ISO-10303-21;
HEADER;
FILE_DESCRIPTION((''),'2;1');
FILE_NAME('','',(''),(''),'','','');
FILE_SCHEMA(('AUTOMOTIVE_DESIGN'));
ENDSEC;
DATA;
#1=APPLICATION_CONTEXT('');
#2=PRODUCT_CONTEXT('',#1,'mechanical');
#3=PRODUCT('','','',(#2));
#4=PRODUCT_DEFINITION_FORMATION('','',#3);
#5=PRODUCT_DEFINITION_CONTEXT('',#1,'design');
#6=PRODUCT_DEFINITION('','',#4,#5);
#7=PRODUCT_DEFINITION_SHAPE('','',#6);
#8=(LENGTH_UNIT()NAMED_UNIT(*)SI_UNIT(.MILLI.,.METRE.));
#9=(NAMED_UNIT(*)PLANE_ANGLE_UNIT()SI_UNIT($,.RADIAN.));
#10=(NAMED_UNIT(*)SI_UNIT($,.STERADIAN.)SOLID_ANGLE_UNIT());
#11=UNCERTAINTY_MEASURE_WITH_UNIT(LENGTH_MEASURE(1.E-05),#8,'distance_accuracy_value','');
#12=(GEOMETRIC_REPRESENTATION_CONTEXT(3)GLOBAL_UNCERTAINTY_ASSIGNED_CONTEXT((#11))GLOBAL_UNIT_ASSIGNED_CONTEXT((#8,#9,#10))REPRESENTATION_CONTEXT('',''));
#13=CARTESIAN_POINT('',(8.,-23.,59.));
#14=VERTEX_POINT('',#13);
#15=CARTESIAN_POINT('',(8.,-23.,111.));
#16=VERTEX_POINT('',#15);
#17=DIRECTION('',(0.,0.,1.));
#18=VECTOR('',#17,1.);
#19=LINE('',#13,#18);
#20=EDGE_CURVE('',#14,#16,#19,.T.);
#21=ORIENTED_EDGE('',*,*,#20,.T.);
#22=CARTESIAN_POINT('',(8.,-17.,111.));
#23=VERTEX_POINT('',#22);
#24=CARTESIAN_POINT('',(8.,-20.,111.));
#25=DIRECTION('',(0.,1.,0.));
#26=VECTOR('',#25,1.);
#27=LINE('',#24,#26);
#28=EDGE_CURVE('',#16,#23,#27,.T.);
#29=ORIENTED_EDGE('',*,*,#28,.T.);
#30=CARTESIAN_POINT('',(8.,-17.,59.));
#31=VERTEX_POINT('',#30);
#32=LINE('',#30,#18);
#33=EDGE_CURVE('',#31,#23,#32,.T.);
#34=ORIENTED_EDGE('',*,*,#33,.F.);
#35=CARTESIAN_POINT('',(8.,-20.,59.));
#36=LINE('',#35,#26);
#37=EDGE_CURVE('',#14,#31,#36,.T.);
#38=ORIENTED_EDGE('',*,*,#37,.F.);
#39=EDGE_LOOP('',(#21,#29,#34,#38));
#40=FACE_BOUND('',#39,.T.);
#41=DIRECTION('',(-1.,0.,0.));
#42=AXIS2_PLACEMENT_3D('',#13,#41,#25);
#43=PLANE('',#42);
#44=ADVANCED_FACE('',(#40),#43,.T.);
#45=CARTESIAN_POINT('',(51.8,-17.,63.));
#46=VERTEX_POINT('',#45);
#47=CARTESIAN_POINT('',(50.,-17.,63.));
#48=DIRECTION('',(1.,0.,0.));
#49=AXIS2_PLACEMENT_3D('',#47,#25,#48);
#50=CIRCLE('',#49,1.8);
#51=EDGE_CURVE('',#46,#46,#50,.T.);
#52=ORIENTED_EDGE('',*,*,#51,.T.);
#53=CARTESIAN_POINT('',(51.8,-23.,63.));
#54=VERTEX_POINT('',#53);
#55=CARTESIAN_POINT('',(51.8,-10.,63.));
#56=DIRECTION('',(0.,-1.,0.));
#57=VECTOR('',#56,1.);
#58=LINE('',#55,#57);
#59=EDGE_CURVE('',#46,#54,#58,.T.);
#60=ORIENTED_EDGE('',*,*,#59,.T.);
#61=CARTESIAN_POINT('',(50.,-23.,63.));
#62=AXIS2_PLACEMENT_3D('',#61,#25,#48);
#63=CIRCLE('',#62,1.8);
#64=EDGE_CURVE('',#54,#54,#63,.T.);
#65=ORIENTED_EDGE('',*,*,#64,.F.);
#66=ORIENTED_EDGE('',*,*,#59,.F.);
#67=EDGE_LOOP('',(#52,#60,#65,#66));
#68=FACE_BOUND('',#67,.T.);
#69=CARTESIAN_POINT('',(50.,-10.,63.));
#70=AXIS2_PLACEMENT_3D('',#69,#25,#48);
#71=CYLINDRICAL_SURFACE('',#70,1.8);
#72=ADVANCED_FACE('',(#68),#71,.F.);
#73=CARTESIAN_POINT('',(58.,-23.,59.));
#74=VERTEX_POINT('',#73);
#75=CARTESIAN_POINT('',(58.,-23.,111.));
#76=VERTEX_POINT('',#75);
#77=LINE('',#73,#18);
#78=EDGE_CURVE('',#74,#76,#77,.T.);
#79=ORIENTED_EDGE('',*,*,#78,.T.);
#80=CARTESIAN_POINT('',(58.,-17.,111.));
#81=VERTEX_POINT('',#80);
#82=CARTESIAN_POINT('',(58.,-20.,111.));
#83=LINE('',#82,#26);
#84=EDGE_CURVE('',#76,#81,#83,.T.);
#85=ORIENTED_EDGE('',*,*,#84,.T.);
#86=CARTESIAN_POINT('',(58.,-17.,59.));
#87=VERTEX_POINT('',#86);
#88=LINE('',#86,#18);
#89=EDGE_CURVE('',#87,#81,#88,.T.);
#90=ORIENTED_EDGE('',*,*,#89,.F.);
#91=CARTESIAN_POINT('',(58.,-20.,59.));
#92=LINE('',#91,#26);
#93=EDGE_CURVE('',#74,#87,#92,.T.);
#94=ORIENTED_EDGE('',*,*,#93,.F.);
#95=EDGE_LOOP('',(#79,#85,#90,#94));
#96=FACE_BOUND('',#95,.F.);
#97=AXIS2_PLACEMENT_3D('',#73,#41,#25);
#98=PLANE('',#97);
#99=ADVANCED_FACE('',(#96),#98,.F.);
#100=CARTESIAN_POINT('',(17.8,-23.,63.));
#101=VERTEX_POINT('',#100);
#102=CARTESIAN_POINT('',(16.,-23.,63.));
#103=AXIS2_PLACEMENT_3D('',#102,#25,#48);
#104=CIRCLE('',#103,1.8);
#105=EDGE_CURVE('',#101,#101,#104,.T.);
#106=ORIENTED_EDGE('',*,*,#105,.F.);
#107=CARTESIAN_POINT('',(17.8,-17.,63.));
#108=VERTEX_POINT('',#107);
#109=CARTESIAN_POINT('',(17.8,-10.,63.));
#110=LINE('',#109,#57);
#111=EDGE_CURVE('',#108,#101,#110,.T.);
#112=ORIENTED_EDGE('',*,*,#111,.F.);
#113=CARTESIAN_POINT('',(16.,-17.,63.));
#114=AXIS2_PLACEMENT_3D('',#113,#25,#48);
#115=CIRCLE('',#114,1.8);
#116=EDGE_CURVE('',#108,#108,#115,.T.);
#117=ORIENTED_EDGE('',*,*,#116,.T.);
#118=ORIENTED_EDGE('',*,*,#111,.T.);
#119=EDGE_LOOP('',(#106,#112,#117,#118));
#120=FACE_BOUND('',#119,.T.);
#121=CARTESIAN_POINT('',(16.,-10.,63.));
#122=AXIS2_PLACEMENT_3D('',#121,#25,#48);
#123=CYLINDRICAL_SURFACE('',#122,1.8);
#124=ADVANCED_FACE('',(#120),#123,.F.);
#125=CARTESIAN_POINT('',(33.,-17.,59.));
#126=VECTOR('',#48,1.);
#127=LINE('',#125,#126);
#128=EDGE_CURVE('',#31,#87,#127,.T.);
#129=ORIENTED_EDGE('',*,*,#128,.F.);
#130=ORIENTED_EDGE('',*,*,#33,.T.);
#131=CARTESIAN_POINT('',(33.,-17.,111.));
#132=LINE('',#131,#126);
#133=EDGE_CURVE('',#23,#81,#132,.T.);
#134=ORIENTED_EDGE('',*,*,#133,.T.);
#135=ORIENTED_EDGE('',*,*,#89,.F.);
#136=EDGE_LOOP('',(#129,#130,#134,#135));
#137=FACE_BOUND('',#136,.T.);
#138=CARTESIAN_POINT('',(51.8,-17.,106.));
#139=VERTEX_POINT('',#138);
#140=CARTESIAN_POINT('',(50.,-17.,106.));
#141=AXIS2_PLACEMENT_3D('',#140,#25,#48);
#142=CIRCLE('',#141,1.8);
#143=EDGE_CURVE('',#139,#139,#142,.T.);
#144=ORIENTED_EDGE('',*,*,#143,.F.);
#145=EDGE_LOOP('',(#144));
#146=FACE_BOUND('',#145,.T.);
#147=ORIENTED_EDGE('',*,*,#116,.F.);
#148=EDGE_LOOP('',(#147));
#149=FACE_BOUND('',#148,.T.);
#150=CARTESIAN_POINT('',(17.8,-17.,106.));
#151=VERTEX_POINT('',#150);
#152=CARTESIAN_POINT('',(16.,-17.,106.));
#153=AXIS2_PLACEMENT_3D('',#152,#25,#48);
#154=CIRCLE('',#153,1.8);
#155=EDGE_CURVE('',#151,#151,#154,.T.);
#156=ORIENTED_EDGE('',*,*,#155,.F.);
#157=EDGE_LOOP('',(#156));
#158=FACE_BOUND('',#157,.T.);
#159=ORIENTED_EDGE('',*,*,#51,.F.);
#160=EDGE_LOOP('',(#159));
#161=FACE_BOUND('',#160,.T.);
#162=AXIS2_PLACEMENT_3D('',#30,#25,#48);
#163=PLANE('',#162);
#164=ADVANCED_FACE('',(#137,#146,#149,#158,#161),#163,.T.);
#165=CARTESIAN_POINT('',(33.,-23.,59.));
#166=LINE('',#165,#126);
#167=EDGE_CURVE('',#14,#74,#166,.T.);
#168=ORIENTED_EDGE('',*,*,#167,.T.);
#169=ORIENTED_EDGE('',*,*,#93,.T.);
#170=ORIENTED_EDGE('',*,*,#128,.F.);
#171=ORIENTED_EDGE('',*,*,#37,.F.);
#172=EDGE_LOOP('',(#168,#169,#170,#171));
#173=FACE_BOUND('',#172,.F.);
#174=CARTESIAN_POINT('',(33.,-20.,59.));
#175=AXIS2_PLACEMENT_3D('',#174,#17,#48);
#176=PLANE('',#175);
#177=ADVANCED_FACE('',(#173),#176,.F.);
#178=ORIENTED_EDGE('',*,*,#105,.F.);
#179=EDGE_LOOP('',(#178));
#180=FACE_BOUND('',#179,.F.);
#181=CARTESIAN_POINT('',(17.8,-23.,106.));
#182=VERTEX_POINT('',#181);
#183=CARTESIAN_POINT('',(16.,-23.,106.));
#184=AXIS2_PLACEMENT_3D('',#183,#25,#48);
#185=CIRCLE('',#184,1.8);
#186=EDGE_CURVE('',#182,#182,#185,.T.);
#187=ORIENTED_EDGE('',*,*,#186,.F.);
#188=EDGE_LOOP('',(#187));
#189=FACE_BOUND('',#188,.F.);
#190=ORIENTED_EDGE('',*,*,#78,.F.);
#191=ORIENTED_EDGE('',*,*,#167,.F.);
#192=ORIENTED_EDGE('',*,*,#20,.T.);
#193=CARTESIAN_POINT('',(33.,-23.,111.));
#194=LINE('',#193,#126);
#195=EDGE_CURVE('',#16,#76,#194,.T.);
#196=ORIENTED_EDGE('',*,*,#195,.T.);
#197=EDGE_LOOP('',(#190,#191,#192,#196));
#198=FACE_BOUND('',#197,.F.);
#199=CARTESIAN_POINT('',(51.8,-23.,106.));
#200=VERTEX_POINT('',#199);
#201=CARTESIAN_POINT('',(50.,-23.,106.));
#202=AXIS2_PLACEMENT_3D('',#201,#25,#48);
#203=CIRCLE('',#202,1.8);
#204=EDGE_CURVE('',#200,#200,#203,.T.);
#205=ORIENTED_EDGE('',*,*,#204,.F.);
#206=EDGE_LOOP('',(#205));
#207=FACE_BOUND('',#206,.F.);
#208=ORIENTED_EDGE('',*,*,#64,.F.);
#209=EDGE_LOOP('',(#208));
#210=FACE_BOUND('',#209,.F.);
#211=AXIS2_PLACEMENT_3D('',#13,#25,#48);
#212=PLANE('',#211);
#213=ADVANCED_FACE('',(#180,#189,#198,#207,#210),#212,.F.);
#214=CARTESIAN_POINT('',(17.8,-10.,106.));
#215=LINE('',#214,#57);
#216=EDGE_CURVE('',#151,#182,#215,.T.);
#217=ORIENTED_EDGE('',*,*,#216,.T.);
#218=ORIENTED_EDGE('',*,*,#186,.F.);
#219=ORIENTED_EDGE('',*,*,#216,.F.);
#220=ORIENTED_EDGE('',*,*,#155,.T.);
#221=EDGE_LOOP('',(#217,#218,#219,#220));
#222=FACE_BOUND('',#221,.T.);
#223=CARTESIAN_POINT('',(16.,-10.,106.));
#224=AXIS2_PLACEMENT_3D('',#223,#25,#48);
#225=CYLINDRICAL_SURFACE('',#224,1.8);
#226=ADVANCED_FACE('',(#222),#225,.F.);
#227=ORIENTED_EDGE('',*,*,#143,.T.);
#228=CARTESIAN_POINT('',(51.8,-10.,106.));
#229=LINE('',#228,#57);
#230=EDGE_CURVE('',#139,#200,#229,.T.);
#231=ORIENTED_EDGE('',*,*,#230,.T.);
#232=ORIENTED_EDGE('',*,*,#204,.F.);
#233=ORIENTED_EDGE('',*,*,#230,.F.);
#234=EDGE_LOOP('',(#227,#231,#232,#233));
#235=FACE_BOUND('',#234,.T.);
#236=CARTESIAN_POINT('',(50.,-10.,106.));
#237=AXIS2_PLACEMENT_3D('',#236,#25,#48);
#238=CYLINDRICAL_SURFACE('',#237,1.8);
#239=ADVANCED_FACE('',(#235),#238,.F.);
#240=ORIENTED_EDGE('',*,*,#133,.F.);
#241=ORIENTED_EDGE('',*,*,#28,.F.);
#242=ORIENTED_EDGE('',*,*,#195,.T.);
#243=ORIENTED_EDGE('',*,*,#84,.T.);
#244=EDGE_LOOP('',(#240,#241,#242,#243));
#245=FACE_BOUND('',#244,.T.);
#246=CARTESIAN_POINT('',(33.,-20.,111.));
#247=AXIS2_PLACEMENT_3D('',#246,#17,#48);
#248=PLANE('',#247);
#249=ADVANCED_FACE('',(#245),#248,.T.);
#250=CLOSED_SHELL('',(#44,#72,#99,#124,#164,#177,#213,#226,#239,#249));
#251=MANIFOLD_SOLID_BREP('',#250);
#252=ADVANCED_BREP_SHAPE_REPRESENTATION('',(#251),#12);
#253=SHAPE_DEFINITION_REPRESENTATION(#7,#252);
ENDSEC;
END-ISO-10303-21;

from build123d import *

# Parameters (mm, degrees)
CYLINDER107_R          = 1.8
CYLINDER107_DEPTH      = 34
CYLINDER107_ROLL_ANGLE = 90
CYLINDER106_R          = 1.8
CYLINDER106_DEPTH      = 34
CYLINDER106_ROLL_ANGLE = 90
CYLINDER109_R          = 1.8
CYLINDER109_DEPTH      = 34
CYLINDER109_ROLL_ANGLE = 90
CYLINDER108_R          = 1.8
CYLINDER108_DEPTH      = 34
CYLINDER108_ROLL_ANGLE = 90
BOX054_W               = 50
BOX054_H               = 6
BOX054_DEPTH           = 52


with BuildPart() as cilindro063:
    # Cylinder107 → Cylinder107 (new body)
    with BuildSketch(Plane.XY):
        Circle(CYLINDER107_R)
    extrude(amount=CYLINDER107_DEPTH)


with BuildPart() as cilindro063_1:
    # Cylinder107 roll: moved
    add(cilindro063.part.rotate(Axis((0, 0, 0), (1, 0, 0)), CYLINDER107_ROLL_ANGLE))


with BuildPart() as cilindro063_2:
    # Cylinder107 placement: moved
    add(cilindro063_1.part.moved(Location((16, -10, 63))))


with BuildPart() as fusion059:
    # Cylinder106 → Cylinder106 (new body)
    with BuildSketch(Plane.XY):
        Circle(CYLINDER106_R)
    extrude(amount=CYLINDER106_DEPTH)


with BuildPart() as fusion059_1:
    # Cylinder106 roll: moved
    add(fusion059.part.rotate(Axis((0, 0, 0), (1, 0, 0)), CYLINDER106_ROLL_ANGLE))


with BuildPart() as fusion059_2:
    # Cylinder106 placement: moved
    add(fusion059_1.part.moved(Location((50, -10, 63))))

    # Fusion059: union Cilindro063
    add(cilindro063_2.part)


with BuildPart() as cilindro065:
    # Cylinder109 → Cylinder109 (new body)
    with BuildSketch(Plane.XY):
        Circle(CYLINDER109_R)
    extrude(amount=CYLINDER109_DEPTH)


with BuildPart() as cilindro065_1:
    # Cylinder109 roll: moved
    add(cilindro065.part.rotate(Axis((0, 0, 0), (1, 0, 0)), CYLINDER109_ROLL_ANGLE))


with BuildPart() as cilindro065_2:
    # Cylinder109 placement: moved
    add(cilindro065_1.part.moved(Location((16, -10, 63))))


with BuildPart() as fusion061:
    # Cylinder108 → Cylinder108 (new body)
    with BuildSketch(Plane.XY):
        Circle(CYLINDER108_R)
    extrude(amount=CYLINDER108_DEPTH)


with BuildPart() as fusion061_1:
    # Cylinder108 roll: moved
    add(fusion061.part.rotate(Axis((0, 0, 0), (1, 0, 0)), CYLINDER108_ROLL_ANGLE))


with BuildPart() as fusion061_2:
    # Cylinder108 placement: moved
    add(fusion061_1.part.moved(Location((50, -10, 63))))

    # Fusion060: union Cilindro065
    add(cilindro065_2.part)


with BuildPart() as fusion061_3:
    # Fusion060 placement: moved
    add(fusion061_2.part.moved(Location((0, 0, 43))))

    # Fusion061: union Fusion059
    add(fusion059_2.part)


with BuildPart() as base_effector001:
    # Box054 → Box054 (new body)
    with BuildSketch(Plane(origin=(8, -23, 59), x_dir=(1, 0, 0), z_dir=(0, 0, 1))):
        with Locations((25, 3)):
            Rectangle(BOX054_W, BOX054_H)
    extrude(amount=BOX054_DEPTH)

    # Cut126: cut Fusion061
    add(fusion061_3.part, mode=Mode.SUBTRACT)


solid = base_effector001.part
